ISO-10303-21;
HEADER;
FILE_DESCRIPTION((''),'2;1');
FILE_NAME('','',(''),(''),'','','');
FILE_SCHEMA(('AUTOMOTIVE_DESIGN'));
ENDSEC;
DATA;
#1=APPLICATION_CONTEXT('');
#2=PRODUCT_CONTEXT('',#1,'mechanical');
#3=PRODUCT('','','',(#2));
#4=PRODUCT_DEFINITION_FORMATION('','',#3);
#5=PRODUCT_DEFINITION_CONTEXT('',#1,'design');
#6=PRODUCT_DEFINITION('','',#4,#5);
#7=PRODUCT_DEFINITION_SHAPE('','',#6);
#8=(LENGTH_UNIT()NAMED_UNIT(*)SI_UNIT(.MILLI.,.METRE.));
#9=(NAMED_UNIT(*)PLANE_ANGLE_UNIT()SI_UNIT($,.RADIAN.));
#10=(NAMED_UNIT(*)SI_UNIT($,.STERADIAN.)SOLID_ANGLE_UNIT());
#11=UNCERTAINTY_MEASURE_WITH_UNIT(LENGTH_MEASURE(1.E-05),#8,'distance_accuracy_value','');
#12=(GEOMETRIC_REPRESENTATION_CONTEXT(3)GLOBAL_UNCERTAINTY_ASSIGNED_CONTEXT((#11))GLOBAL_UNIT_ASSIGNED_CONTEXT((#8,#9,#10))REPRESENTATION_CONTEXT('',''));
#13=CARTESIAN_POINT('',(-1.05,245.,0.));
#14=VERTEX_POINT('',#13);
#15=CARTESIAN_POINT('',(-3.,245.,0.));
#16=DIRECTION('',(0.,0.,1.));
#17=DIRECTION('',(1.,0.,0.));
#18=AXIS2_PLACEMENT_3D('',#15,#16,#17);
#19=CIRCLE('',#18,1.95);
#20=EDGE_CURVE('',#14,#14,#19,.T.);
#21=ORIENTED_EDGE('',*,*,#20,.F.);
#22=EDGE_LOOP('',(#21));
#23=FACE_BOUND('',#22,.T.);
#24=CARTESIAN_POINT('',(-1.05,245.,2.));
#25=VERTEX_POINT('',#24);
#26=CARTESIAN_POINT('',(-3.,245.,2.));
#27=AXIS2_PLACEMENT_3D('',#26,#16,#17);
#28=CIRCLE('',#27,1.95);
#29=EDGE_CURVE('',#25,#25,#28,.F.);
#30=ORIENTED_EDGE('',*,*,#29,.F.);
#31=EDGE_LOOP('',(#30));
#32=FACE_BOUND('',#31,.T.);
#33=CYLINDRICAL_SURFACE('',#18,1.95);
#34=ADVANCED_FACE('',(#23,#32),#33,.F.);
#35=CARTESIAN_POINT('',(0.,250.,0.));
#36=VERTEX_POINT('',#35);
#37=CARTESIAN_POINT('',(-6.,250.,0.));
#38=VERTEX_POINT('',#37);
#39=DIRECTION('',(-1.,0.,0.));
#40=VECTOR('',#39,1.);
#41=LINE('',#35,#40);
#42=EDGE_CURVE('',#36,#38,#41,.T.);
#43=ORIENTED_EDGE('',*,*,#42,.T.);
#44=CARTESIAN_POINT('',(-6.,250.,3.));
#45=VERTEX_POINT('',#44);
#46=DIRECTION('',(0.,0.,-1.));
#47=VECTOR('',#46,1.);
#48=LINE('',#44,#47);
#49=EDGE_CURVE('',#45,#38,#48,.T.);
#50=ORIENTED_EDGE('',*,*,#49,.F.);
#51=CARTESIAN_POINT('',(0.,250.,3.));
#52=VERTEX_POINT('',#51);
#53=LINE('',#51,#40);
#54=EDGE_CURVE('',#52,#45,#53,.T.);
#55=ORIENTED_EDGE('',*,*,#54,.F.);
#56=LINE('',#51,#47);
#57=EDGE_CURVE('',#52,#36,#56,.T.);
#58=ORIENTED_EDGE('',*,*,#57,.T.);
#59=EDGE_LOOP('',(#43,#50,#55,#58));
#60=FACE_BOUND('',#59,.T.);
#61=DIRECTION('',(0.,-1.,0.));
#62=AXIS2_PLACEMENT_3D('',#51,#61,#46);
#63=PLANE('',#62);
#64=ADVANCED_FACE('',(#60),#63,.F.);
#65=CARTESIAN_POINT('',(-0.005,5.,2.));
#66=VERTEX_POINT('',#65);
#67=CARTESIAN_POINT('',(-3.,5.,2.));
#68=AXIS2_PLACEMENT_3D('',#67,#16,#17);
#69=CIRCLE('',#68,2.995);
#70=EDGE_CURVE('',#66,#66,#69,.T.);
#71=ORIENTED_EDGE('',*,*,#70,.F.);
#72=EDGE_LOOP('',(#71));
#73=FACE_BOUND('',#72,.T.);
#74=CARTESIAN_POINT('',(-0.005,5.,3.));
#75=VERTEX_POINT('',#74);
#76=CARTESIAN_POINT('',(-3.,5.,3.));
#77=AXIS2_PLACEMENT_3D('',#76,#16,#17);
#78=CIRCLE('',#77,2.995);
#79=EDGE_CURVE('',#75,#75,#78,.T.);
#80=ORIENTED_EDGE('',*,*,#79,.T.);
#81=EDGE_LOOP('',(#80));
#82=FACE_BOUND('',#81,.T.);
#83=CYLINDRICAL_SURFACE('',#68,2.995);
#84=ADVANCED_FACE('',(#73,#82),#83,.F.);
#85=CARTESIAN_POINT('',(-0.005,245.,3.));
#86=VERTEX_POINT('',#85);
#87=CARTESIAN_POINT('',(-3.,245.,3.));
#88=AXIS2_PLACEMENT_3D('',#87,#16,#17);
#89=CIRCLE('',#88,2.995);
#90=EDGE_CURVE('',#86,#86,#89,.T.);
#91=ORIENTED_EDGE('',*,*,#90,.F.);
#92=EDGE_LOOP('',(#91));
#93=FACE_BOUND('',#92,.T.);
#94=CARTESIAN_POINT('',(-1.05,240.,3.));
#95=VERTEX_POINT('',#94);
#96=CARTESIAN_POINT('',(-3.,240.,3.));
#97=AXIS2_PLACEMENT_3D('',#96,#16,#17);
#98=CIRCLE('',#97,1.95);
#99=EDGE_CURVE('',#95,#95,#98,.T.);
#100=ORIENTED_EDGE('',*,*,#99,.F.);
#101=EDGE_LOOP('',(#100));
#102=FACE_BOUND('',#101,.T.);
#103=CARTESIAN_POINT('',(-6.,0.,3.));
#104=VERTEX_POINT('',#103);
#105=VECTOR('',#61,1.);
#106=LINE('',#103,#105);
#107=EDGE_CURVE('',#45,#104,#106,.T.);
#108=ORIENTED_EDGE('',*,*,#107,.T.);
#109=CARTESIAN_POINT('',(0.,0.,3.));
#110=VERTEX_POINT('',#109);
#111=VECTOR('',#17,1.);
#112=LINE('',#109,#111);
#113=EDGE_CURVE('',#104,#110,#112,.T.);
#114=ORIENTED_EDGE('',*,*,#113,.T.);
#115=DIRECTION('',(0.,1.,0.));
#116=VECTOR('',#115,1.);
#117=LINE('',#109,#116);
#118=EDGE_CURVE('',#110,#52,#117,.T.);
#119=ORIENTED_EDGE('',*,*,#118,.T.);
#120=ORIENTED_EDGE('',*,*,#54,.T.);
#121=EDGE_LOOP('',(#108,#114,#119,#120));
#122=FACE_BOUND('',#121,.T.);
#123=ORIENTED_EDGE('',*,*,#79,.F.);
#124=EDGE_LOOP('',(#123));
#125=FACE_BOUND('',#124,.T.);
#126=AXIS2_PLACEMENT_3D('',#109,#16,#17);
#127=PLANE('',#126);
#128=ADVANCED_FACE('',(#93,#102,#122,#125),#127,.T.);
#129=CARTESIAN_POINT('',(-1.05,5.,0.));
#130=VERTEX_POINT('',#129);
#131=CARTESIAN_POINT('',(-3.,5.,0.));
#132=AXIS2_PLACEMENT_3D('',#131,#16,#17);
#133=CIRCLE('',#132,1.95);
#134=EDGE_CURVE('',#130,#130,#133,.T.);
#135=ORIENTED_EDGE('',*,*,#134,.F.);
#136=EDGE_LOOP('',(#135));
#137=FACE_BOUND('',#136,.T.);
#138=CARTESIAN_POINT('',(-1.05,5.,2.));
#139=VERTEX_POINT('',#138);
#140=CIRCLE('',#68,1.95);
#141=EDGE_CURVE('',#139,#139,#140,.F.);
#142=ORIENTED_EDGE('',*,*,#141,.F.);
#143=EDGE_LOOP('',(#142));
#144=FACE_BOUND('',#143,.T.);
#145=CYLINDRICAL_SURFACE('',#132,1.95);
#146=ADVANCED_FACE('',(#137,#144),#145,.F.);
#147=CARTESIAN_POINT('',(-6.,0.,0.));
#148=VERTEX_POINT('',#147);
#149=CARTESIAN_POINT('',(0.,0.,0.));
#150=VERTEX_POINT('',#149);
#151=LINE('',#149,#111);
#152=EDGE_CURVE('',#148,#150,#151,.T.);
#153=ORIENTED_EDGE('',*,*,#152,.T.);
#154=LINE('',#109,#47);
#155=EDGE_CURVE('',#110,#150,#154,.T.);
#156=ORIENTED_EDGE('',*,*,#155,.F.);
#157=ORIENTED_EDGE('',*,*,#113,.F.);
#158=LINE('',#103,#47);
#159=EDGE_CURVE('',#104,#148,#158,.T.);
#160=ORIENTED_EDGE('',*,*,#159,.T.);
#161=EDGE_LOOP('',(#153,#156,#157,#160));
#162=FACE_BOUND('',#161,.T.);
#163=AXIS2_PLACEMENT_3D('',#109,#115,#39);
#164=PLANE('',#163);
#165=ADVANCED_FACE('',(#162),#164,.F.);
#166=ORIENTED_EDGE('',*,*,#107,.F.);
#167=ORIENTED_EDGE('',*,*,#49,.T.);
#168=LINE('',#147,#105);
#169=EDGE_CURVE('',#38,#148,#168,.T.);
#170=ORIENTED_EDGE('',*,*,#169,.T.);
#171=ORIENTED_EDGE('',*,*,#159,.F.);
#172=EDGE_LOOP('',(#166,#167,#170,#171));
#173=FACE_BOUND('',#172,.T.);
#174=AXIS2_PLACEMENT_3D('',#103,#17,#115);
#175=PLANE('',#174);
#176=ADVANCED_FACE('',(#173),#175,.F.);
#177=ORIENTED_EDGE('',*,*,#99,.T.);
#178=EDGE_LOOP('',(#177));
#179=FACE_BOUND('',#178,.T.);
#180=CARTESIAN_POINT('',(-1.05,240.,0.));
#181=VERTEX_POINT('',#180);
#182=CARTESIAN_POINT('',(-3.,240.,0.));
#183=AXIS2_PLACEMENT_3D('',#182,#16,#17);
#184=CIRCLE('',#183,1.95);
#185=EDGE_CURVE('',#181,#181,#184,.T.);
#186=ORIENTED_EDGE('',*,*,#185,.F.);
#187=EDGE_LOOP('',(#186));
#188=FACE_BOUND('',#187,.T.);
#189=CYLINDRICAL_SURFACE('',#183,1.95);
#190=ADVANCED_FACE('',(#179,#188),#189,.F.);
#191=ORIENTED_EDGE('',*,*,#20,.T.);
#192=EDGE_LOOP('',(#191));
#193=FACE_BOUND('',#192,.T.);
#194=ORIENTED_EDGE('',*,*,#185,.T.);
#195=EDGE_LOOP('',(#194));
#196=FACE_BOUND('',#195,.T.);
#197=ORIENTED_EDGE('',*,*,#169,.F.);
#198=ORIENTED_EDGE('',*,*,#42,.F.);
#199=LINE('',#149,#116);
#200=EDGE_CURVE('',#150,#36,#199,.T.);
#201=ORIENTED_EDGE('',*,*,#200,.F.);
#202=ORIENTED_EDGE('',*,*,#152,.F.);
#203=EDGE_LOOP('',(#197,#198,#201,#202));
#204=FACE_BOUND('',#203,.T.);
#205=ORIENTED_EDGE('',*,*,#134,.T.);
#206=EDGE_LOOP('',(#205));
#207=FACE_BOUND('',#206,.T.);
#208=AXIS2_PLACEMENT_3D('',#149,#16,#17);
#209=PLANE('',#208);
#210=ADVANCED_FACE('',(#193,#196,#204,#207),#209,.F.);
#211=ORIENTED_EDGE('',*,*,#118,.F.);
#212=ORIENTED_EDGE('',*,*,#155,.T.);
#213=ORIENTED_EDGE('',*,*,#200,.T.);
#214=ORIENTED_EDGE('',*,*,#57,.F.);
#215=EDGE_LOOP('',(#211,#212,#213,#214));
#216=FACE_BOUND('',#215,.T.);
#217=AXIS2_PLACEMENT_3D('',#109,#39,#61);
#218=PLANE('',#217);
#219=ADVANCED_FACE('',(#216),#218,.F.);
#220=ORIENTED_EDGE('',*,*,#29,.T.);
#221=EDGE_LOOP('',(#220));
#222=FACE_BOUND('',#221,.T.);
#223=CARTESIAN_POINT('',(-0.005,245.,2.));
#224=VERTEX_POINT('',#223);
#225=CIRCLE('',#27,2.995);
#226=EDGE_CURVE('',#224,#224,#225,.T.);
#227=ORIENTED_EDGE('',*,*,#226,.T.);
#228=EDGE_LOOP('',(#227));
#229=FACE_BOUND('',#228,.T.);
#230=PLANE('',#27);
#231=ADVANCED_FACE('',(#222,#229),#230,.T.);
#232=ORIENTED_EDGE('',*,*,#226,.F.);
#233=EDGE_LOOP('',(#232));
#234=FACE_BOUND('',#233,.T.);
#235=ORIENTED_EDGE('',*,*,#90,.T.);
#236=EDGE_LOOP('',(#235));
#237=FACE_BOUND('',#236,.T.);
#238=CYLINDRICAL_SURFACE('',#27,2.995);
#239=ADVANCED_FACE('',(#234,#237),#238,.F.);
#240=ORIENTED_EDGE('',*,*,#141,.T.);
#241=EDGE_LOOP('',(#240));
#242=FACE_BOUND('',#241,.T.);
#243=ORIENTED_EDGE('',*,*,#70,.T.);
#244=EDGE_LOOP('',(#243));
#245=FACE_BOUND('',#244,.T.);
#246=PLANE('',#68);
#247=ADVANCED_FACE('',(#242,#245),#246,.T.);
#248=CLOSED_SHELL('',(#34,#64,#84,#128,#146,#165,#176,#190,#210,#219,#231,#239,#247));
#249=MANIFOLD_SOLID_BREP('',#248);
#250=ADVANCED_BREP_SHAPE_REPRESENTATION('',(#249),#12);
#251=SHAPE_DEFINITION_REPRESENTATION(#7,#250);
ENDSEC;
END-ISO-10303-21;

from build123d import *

# Parameters (mm, degrees)
ESQUISSE1_W             = 6
ESQUISSE1_H             = 250
BOSS_EXTRU_1_DEPTH      = 3
ESQUISSE2_R             = 1.95
ENL_V_MAT_EXTRU_1_DEPTH = 3
ESQUISSE3_R             = 2.995
ENL_V_MAT_EXTRU_3_DEPTH = 1


with BuildPart() as part:
    # Esquisse1 → Boss.-Extru.1 (new body)
    with BuildSketch(Plane.XY):
        with Locations((-3, 125)):
            Rectangle(ESQUISSE1_W, ESQUISSE1_H)
    extrude(amount=BOSS_EXTRU_1_DEPTH)

    # Esquisse2 → Enlèv. mat.-Extru.1 (cut)
    with BuildSketch(Plane.XY.offset(3)):
        with Locations((-3, 245)):
            Circle(ESQUISSE2_R)
        with Locations((-3, 240)):
            Circle(ESQUISSE2_R)
        with Locations((-3, 5)):
            Circle(ESQUISSE2_R)
    extrude(amount=-ENL_V_MAT_EXTRU_1_DEPTH, mode=Mode.SUBTRACT)

    # Esquisse3 → Enlèv. mat.-Extru.3 (cut)
    with BuildSketch(Plane.XY.offset(3)):
        with Locations((-3, 5)):
            Circle(ESQUISSE3_R)
        with Locations((-3, 245)):
            Circle(ESQUISSE3_R)
    extrude(amount=-ENL_V_MAT_EXTRU_3_DEPTH, mode=Mode.SUBTRACT)


solid = part.part
